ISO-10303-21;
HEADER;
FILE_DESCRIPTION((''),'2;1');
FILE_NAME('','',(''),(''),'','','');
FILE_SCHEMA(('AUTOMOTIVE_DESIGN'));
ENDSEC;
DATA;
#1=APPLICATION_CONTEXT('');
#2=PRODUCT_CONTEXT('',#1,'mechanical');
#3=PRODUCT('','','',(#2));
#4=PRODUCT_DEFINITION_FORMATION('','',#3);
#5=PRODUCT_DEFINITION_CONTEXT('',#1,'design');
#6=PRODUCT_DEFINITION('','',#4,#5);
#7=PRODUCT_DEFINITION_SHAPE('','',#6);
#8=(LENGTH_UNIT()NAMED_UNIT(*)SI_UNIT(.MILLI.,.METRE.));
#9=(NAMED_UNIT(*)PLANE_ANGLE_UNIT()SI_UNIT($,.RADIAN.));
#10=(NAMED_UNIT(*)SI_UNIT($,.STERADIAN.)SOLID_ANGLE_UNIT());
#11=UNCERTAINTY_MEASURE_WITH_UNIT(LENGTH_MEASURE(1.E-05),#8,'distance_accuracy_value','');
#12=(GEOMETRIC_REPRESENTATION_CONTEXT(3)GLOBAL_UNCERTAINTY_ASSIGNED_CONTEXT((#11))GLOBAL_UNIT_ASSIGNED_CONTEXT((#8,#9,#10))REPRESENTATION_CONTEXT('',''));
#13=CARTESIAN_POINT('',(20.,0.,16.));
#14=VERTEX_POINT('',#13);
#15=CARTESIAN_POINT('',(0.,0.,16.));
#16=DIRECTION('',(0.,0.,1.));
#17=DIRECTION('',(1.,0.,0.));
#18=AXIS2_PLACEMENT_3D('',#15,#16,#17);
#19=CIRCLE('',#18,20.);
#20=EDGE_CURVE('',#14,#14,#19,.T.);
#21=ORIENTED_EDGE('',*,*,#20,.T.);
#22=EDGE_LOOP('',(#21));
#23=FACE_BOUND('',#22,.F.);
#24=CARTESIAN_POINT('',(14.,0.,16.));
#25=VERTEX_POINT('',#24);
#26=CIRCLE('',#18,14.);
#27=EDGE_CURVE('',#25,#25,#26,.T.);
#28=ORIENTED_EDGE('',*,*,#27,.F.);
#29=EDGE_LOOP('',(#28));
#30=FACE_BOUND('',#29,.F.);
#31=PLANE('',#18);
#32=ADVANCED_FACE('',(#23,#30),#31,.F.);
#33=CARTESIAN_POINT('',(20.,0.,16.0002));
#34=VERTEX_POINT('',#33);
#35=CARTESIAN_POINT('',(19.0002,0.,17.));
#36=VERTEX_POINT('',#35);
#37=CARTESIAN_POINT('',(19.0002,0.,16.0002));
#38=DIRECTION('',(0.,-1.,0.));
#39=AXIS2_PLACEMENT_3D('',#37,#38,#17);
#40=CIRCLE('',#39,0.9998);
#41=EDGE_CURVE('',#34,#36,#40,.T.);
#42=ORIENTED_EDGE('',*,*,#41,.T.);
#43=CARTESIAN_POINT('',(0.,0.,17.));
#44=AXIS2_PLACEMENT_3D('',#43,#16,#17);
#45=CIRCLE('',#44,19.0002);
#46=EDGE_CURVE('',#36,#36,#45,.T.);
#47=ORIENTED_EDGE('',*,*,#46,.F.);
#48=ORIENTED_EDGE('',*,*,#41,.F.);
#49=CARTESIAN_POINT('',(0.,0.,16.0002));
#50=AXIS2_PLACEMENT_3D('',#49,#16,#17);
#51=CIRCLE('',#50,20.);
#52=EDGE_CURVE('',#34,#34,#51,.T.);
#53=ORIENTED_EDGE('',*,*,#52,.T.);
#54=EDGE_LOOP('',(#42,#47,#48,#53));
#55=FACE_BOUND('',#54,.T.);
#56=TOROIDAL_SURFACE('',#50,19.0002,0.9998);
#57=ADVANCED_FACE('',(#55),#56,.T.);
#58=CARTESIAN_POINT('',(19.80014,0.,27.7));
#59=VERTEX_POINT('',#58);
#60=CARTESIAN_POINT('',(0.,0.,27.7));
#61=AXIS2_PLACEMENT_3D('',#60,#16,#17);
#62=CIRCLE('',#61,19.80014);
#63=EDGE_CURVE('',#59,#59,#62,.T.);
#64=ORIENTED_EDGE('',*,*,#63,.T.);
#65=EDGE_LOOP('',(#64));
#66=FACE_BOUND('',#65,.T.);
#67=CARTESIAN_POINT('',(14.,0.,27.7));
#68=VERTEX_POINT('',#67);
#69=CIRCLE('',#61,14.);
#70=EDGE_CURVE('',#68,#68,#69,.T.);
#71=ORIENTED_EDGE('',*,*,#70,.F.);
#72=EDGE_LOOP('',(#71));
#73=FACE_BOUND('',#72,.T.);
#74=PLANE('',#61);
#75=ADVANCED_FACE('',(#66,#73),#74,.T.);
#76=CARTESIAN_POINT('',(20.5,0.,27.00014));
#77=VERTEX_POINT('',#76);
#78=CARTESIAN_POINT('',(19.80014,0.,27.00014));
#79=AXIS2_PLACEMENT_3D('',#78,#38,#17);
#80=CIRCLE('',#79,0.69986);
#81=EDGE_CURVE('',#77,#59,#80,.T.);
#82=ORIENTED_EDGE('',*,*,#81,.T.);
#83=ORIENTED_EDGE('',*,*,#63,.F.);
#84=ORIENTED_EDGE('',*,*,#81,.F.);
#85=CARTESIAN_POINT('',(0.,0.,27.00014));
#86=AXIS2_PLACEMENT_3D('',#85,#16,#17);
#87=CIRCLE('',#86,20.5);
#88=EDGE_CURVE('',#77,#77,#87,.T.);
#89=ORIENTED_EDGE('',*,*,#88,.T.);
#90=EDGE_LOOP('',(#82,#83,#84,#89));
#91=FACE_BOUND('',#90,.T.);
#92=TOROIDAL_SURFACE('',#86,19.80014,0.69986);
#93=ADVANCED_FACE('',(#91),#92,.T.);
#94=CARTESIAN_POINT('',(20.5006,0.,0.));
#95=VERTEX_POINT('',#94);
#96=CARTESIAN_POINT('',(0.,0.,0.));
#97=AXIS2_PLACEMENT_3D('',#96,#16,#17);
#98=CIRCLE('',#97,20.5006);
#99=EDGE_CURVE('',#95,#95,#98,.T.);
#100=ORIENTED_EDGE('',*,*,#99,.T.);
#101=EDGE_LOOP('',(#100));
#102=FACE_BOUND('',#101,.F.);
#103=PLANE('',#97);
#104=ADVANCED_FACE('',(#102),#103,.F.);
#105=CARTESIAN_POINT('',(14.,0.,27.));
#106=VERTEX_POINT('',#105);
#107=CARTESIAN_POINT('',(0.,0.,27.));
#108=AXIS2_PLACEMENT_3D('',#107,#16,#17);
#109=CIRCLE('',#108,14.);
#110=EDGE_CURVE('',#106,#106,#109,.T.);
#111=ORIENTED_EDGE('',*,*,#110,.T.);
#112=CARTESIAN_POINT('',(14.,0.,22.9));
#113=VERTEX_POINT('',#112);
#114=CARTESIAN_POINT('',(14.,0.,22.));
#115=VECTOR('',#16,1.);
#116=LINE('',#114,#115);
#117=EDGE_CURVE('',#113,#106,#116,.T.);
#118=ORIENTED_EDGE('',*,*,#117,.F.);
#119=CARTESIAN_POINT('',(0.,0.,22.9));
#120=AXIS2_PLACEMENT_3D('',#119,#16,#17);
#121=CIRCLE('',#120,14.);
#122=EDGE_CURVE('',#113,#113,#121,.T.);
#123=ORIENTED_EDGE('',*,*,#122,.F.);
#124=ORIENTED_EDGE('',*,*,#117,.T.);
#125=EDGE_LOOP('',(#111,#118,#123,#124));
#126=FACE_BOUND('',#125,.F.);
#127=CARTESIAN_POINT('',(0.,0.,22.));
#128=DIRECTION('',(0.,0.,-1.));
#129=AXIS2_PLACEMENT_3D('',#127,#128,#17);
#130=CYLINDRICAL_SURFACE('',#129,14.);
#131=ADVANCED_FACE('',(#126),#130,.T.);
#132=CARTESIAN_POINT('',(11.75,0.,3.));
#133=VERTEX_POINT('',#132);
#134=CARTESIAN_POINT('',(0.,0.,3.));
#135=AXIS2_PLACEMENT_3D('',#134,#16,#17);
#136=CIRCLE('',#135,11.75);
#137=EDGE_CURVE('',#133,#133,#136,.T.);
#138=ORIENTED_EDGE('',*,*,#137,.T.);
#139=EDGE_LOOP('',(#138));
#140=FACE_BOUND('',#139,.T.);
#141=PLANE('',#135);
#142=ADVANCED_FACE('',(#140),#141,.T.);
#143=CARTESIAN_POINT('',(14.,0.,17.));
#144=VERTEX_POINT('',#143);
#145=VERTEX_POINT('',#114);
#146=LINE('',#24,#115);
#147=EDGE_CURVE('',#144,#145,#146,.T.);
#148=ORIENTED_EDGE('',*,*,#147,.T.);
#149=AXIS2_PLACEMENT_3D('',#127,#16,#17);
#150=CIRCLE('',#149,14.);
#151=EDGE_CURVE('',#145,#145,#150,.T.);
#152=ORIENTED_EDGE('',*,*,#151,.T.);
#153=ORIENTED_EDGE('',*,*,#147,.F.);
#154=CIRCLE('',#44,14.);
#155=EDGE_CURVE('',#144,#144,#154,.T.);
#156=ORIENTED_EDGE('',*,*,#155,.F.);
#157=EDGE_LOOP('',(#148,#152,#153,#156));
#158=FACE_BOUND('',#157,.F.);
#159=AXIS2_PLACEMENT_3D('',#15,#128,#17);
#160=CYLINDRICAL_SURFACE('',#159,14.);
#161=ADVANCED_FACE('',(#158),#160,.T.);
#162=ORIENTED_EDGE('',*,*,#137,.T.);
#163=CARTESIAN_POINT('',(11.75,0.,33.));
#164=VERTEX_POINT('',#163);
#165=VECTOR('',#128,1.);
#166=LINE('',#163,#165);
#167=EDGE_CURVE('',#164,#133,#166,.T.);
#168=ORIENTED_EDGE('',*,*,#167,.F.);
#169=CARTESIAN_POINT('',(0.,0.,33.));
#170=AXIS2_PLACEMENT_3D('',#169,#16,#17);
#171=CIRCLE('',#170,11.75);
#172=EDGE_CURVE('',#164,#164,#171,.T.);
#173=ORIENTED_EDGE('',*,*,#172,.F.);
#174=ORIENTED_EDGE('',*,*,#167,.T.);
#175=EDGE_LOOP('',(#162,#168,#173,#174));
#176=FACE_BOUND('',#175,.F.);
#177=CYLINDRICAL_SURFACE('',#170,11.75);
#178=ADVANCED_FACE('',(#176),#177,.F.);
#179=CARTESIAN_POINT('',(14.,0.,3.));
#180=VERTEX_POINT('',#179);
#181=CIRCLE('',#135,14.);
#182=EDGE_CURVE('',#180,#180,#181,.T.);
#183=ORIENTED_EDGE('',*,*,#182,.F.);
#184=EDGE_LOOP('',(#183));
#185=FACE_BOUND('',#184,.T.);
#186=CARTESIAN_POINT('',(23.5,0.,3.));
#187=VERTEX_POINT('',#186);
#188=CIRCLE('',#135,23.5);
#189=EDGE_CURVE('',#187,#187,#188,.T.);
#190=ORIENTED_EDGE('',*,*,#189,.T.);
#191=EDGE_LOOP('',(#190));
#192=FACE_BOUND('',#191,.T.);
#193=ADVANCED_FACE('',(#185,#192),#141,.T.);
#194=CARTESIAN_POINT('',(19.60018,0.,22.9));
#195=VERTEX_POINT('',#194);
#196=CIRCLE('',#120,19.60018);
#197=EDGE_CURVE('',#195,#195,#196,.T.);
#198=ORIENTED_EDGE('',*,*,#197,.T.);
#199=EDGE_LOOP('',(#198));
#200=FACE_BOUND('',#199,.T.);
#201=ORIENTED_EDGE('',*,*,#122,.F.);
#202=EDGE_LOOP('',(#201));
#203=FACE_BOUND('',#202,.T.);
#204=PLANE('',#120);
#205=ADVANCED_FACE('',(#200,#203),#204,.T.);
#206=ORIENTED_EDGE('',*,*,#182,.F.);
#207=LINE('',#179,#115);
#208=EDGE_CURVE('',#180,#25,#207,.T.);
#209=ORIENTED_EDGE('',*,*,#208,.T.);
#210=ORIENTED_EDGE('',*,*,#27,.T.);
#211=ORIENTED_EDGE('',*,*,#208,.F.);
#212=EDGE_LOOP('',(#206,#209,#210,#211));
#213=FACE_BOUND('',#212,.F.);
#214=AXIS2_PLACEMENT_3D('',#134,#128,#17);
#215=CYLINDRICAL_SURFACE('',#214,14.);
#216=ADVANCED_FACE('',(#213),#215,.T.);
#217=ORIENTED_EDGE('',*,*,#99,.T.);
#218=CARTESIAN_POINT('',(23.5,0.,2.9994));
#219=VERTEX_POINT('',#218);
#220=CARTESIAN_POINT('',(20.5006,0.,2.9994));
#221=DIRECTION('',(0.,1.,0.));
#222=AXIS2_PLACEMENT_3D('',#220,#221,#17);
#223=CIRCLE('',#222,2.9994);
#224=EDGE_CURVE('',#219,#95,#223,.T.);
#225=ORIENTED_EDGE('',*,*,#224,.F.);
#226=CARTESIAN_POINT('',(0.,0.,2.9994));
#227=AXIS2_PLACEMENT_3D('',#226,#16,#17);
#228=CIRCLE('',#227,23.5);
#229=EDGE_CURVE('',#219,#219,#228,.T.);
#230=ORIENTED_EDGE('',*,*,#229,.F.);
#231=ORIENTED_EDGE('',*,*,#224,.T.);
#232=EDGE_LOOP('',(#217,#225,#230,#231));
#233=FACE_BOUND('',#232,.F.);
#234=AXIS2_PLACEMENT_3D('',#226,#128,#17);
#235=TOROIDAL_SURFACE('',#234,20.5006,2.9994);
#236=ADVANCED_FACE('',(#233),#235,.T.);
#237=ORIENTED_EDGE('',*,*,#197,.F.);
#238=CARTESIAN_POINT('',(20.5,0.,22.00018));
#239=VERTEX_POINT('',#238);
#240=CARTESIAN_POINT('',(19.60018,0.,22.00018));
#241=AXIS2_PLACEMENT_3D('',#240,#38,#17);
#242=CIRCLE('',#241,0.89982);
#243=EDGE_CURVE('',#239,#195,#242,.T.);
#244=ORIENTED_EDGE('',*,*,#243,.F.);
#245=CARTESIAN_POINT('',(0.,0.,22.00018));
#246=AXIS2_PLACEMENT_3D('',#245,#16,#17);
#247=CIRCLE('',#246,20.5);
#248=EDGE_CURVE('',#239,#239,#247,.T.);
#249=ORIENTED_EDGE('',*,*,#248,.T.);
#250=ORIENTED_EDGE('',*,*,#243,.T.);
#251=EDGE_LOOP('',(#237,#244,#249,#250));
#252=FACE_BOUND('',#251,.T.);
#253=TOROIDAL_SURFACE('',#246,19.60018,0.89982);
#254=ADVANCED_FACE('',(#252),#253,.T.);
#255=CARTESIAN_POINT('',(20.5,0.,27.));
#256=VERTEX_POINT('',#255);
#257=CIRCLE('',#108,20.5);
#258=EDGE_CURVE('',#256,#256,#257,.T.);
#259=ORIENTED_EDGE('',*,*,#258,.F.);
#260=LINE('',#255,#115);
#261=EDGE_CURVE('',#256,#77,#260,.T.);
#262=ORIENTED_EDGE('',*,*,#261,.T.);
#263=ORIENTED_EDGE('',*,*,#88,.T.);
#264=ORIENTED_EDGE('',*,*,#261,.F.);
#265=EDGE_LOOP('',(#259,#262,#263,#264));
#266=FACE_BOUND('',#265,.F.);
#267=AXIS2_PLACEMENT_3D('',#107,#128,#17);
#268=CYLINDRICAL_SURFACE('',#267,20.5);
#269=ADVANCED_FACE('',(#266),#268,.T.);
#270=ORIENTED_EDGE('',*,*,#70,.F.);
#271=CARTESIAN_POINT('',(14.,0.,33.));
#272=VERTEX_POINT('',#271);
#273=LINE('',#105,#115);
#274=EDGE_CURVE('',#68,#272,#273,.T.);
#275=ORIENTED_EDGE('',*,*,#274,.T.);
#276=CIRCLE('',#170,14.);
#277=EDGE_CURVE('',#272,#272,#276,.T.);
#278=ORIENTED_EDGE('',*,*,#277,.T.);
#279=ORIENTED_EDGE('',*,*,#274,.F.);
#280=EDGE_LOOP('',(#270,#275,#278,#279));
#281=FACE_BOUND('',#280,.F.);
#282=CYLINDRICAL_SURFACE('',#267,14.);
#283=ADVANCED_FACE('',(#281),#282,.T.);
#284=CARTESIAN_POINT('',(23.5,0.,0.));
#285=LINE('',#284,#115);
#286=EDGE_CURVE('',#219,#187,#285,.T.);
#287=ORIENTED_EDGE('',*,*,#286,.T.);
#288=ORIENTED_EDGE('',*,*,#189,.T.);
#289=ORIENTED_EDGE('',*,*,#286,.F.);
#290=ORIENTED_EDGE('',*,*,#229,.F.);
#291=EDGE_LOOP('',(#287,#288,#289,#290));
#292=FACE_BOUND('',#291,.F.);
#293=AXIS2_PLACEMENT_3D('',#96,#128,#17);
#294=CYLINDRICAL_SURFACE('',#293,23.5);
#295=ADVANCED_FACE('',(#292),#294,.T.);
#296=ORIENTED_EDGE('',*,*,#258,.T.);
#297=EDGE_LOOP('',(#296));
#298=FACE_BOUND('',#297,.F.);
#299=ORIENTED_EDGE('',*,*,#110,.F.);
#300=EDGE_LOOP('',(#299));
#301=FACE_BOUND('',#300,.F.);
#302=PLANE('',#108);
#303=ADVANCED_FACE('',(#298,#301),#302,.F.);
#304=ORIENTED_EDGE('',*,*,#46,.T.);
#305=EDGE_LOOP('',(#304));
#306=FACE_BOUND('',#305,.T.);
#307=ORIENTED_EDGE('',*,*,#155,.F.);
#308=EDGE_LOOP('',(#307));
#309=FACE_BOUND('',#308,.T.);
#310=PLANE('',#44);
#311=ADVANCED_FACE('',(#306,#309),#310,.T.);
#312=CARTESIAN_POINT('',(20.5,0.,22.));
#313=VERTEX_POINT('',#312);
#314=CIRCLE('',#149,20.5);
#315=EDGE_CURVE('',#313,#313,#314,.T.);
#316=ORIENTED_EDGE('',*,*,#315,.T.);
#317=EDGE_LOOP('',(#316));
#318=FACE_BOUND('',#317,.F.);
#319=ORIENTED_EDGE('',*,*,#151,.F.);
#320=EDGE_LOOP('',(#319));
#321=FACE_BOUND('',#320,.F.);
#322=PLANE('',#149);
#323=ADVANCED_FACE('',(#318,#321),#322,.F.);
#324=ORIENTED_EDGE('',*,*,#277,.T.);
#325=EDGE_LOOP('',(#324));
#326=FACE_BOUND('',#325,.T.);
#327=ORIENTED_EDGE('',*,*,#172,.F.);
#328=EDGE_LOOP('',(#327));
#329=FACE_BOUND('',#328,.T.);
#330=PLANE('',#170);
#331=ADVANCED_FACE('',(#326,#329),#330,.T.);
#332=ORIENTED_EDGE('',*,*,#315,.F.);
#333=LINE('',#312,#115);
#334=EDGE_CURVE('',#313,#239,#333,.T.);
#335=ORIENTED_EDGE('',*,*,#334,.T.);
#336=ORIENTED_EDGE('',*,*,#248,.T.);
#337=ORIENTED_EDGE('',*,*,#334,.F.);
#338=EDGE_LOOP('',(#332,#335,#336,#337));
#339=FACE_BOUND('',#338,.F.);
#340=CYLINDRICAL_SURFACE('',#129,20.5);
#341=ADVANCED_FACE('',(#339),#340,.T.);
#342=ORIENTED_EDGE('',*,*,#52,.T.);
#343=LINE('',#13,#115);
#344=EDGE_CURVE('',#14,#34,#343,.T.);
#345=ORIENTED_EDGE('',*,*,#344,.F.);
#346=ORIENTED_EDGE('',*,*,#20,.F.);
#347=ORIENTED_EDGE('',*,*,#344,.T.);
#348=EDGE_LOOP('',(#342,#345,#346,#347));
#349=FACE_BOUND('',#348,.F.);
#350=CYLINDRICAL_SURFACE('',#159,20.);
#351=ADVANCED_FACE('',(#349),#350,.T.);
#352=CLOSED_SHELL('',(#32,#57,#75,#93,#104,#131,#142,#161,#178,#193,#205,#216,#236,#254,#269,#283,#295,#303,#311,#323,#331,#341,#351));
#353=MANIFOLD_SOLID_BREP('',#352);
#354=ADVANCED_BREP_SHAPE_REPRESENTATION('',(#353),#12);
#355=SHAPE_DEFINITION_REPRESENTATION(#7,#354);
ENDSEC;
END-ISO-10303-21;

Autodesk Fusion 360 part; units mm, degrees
sketch "Sketch1" plane through (0, 0, 0) normal (0, 0, 1) x (1, 0, 0)
  circle A0 centre (0, 0) radius 23.5
  dimension "d1" = 47
extrude "Extrude1" add sketch "Sketch1" along normal blind 3 makes body 1
fillet "Fillet1" radius 3 1 edges at (-21.9097, -8.498, 0) on bodies 1
sketch "Sketch2" plane through (0, 0, 3) normal (0, 0, 1) x (1, 0, 0)
  circle A0 centre (0, 0) radius 23.5
  circle A1 centre (0, 0) radius 14
  dimension "d5" = 28
extrude "Extrude2" add sketch "Sketch2" along normal blind 13 contours A1 bodies 1
sketch "Sketch3" plane through (0, 0, 16) normal (0, 0, 1) x (1, 0, 0)
  circle A0 centre (0, 0) radius 14
  circle A1 centre (0, 0) radius 20
  dimension "d8" = 40
extrude "Extrude3" add sketch "Sketch3" along normal blind 1 separate body makes body 2
fillet "Fillet2" radius 1 1 edges at (-18.6465, -7.2323, 17) on bodies 2
sketch "Sketch4" plane through (0, 0, 16) normal (0, 0, 1) x (1, 0, 0)
  circle A0 centre (0, 0) radius 14
  circle A1 centre (0, 0) radius 20.5
extrude "Extrude4" add sketch "Sketch4" along normal blind 6 contours A0 bodies 1 2
sketch "Sketch5" plane through (0, 0, 22) normal (0, 0, 1) x (1, 0, 0)
  circle A0 centre (0, 0) radius 14
  circle A1 centre (0, 0) radius 20.5
  circle A2 centre (0, 0) radius 18.5
  dimension "d14" = 37
extrude "Extrude5" add sketch "Sketch5" along normal blind 0.9 separate body contours A1 | A2 makes body 3
fillet "Fillet3" radius 0.9 1 edges at (-19.1127, -7.4131, 22.9) on bodies 3
extrude "Extrude6" add 1 faces at (3.6071, -3.6485, 22) along direction (0, 0, 1) blind 5 on bodies 1 bodies 1 3
sketch "Sketch6" plane through (0, 0, 27) normal (0, 0, 1) x (1, 0, 0)
  circle A0 centre (0, 0) radius 14
  circle A1 centre (0, 0) radius 20.5
  circle A2 centre (0, 0) radius 17
  dimension "d20" = 34
extrude "Extrude7" add sketch "Sketch6" along normal blind 0.7 separate body contours A1 | A2 makes body 4
fillet "Fillet4" radius 0.7 1 edges at (-19.1127, -7.4131, 27.7) on bodies 4
extrude "Extrude8" add 1 faces at (3.6071, -3.6485, 27) along direction (0, 0, 1) blind 6 on bodies 1 bodies 1 4
sketch "Sketch7" plane through (0, 0, 33) normal (0, 0, 1) x (1, 0, 0)
  circle A0 centre (0, 0) radius 14
  circle A1 centre (0, 0) radius 20.5
  circle A2 centre (0, 0) radius 11.75
  dimension "d26" = 23.5
extrude "Extrude9" cut sketch "Sketch7" against normal blind 30 contours A2 bodies 1
equation "d24 = 30 mm - 13 mm - 6 mm - 5 mm"
